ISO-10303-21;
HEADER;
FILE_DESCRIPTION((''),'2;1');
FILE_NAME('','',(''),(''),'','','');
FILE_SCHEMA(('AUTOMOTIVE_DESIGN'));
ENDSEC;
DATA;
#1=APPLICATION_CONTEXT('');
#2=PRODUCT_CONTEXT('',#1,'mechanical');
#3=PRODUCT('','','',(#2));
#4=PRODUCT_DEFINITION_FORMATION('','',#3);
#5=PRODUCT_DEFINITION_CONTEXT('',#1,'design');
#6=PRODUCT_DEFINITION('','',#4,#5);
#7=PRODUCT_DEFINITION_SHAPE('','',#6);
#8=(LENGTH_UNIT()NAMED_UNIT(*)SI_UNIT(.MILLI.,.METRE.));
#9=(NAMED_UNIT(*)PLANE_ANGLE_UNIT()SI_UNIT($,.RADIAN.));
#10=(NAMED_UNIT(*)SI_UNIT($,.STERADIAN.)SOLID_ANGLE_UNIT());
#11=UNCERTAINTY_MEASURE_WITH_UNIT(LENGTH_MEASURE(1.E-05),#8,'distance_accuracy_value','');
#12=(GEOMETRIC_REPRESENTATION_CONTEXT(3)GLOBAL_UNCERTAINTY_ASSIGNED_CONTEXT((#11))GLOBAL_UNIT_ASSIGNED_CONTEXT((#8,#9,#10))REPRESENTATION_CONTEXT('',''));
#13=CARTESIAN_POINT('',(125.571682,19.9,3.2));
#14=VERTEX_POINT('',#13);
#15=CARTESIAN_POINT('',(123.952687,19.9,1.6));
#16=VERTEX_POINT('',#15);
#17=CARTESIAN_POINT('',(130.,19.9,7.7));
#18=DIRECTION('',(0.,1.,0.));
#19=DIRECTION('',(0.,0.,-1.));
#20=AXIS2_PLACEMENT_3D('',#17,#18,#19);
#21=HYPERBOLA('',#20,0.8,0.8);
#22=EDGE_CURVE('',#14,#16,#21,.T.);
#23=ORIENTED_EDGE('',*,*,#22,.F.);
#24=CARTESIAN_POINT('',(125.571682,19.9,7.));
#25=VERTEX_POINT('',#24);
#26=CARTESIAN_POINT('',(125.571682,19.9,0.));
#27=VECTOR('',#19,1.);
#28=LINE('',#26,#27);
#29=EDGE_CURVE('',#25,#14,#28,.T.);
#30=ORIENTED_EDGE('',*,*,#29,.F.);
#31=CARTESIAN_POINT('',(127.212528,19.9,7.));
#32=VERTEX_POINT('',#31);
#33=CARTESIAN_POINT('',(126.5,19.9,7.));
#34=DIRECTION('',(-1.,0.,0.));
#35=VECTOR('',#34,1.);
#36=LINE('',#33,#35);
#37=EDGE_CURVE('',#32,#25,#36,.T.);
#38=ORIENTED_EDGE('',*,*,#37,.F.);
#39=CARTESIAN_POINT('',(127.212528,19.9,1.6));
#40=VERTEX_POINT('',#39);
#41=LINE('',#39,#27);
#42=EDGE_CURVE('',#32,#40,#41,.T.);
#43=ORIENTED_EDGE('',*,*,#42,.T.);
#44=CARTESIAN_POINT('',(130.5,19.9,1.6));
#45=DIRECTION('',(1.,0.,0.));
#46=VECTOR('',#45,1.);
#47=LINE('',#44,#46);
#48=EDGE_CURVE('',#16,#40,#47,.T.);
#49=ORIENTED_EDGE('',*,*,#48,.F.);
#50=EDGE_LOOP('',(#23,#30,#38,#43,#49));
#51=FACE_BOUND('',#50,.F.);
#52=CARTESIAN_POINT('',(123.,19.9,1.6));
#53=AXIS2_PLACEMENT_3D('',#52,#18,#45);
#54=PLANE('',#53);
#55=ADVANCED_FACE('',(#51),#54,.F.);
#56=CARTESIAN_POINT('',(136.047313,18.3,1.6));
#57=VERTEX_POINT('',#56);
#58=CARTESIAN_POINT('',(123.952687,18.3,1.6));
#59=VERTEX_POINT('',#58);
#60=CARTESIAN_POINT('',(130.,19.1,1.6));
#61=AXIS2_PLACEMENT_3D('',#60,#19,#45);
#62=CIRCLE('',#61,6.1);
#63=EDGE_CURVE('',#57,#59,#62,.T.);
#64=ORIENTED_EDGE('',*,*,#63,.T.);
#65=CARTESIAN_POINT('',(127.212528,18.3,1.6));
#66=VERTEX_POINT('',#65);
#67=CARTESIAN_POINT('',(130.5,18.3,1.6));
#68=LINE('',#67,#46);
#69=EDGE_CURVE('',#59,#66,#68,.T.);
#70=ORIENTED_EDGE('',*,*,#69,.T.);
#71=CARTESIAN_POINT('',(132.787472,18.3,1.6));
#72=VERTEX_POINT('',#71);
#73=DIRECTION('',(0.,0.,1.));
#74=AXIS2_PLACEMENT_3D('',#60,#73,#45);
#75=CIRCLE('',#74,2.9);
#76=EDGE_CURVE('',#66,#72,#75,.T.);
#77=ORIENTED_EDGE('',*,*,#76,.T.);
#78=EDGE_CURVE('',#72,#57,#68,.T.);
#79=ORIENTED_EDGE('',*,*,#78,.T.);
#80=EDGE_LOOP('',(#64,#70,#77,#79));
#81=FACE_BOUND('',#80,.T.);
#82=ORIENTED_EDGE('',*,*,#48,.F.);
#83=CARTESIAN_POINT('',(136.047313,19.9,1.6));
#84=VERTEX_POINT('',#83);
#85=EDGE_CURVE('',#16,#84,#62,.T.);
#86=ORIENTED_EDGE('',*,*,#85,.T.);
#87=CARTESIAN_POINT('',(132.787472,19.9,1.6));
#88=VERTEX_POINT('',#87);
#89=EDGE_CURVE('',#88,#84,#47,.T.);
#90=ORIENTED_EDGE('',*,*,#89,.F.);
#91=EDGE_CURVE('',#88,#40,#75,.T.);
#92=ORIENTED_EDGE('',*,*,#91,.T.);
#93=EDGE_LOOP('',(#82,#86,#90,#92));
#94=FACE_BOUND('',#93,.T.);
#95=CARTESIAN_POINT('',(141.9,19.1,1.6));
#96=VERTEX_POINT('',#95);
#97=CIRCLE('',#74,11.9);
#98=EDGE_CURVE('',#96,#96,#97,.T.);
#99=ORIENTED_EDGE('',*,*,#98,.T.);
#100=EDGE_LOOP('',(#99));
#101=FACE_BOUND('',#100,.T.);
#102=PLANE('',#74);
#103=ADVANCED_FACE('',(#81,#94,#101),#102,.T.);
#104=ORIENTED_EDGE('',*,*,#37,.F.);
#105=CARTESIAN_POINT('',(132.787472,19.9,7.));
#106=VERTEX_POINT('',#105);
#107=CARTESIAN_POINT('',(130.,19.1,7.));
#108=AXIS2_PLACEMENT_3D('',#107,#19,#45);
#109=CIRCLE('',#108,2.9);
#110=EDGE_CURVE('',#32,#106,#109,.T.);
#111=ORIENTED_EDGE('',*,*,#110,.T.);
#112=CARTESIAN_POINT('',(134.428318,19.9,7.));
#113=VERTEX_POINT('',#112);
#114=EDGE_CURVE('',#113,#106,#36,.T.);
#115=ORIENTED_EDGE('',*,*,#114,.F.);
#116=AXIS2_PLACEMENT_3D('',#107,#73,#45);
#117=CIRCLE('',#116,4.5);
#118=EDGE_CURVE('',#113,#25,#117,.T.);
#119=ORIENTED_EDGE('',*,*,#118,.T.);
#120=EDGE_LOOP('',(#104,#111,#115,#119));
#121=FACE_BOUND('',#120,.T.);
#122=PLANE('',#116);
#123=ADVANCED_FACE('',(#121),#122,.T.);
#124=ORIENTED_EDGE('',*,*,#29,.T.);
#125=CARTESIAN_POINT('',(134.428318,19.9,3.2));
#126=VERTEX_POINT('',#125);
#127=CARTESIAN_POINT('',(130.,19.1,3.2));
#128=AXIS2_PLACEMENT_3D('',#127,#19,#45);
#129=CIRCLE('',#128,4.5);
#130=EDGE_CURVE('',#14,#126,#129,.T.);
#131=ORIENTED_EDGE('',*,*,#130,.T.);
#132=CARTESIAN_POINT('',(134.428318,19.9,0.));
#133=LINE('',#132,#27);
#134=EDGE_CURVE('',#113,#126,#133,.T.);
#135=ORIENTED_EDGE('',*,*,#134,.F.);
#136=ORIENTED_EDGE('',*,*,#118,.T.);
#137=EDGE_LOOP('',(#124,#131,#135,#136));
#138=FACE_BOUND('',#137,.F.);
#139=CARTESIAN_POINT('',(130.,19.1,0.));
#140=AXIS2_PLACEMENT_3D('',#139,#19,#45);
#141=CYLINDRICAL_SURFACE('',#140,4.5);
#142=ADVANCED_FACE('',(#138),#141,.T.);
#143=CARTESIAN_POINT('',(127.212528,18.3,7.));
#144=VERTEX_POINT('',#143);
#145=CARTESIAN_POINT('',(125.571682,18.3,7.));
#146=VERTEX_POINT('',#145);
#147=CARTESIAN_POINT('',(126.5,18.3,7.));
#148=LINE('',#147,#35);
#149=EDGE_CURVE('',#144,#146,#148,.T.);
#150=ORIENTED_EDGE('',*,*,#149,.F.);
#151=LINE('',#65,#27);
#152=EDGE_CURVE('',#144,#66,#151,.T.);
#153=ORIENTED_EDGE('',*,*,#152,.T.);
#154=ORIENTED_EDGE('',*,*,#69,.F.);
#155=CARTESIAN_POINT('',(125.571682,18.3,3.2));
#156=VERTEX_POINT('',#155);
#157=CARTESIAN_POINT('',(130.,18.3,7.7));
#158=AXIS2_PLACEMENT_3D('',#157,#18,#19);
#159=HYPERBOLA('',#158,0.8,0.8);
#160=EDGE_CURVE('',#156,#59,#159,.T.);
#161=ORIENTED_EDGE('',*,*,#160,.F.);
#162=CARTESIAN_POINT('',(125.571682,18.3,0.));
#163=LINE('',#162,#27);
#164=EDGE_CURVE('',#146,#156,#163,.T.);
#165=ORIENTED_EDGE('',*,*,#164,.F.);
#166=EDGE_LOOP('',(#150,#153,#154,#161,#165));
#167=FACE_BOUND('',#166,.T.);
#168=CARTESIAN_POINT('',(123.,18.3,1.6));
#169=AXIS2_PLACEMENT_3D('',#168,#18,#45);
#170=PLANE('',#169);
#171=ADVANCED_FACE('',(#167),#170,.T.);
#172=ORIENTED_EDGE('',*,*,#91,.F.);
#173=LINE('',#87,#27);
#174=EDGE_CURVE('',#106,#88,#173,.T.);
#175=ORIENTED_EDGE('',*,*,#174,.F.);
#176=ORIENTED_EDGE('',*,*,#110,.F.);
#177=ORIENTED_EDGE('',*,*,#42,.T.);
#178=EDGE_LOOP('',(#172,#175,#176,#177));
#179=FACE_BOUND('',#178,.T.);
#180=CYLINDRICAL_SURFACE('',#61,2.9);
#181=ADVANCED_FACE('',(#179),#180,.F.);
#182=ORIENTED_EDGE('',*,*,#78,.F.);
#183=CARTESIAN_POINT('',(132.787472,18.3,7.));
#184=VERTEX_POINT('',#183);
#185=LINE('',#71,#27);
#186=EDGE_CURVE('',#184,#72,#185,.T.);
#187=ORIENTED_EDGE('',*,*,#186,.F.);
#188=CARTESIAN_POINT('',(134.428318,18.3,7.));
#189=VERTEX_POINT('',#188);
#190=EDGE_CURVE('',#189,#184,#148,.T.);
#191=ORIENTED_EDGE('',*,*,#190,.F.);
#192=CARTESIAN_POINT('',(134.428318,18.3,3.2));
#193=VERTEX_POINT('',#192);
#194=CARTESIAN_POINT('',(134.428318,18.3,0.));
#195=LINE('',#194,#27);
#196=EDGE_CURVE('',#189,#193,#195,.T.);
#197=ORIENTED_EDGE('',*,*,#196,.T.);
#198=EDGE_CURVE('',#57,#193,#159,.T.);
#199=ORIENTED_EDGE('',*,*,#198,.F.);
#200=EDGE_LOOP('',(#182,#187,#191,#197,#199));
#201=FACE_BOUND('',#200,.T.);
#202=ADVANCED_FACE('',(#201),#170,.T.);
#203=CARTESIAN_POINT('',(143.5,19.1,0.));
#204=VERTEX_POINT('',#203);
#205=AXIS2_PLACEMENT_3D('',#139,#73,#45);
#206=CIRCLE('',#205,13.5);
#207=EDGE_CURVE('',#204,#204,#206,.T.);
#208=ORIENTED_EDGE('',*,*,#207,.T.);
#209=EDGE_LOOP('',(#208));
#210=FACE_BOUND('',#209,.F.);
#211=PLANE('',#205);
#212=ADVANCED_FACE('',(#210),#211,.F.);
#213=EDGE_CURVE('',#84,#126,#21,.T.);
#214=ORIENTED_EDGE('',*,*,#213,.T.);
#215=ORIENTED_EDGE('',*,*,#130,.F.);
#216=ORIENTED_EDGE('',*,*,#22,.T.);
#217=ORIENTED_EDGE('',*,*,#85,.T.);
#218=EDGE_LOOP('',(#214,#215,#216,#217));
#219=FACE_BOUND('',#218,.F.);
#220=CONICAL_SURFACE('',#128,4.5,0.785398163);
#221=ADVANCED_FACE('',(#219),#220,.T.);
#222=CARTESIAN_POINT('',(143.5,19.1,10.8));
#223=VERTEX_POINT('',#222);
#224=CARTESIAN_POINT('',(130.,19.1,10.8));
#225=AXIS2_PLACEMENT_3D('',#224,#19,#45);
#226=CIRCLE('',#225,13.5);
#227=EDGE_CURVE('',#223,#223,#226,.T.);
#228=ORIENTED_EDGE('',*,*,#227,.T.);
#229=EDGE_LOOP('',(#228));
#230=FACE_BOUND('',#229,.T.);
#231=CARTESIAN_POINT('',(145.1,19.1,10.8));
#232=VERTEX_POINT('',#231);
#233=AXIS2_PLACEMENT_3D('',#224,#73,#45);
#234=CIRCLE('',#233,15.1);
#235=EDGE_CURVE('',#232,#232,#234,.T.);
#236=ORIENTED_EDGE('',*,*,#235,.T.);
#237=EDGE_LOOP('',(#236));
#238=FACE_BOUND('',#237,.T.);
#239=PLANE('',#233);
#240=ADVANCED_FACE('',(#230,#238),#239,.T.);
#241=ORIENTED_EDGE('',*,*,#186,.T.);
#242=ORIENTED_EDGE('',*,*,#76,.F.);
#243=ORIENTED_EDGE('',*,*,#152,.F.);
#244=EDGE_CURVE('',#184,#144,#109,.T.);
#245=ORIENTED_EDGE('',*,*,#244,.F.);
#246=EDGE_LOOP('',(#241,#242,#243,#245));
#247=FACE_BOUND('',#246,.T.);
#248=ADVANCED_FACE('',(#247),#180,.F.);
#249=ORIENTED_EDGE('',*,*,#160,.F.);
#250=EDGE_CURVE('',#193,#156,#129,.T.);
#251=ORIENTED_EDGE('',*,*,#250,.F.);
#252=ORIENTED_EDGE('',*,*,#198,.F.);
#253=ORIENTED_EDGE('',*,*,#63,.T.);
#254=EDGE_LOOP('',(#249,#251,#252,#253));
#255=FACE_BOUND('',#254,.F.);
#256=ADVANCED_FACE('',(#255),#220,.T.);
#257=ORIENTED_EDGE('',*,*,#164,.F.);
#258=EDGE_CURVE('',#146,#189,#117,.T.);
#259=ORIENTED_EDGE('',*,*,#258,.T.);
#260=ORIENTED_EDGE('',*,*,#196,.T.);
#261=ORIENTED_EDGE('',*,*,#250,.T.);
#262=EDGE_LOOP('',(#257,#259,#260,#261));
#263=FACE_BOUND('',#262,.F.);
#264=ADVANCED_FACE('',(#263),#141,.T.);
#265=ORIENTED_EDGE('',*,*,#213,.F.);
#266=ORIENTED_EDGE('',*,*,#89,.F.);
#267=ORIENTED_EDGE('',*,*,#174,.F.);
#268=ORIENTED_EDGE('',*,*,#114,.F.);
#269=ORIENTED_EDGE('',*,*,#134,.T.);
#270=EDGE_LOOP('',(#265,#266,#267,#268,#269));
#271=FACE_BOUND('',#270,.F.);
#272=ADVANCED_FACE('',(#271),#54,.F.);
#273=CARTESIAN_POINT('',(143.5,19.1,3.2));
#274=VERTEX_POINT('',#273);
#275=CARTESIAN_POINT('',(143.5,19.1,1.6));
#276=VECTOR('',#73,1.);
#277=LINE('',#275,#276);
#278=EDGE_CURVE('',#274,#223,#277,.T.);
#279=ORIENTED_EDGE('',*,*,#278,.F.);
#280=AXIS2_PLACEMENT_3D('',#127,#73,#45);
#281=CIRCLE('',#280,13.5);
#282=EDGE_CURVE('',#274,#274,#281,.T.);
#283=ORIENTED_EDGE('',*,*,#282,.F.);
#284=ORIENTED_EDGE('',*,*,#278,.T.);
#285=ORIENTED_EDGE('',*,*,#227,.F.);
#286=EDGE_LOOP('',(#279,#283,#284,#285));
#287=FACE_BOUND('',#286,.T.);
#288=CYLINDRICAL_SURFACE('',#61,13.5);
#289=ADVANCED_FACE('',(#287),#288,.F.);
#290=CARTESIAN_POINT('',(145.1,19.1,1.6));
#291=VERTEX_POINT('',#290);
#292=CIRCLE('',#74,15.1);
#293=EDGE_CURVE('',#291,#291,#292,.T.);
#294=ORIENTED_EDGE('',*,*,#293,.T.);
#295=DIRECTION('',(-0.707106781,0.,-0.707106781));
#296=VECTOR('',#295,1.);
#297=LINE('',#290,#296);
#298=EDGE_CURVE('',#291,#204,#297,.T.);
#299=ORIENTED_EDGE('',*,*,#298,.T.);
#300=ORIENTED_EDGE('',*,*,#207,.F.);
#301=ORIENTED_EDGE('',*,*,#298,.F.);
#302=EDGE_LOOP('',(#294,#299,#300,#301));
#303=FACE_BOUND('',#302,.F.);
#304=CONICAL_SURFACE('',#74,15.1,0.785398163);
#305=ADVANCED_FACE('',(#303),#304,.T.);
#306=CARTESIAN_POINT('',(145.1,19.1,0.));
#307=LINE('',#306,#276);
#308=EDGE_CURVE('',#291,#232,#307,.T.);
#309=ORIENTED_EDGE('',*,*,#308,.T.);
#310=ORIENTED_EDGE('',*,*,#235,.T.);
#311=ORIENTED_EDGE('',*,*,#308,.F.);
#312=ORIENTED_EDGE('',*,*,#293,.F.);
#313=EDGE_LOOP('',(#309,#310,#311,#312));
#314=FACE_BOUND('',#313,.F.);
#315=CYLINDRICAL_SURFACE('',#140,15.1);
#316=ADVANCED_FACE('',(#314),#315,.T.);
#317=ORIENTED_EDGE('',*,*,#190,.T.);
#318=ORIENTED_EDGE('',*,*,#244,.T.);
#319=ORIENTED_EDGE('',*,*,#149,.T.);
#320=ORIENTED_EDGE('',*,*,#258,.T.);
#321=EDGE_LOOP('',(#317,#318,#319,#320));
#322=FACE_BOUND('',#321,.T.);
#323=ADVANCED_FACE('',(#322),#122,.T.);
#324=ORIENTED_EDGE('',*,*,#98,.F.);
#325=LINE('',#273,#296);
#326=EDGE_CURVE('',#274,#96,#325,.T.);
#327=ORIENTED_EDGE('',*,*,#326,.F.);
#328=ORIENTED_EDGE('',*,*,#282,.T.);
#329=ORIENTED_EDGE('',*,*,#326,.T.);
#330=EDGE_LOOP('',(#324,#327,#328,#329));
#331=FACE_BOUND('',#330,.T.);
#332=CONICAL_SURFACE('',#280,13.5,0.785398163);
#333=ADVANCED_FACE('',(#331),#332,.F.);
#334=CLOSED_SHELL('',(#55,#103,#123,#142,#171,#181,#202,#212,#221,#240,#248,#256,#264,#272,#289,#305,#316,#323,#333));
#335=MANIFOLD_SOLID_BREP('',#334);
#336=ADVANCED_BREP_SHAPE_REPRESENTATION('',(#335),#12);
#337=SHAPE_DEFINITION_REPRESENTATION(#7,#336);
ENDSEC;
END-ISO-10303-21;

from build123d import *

# Parameters (mm, degrees)
BOX009_W          = 15
BOX009_H          = 1.6
BOX009_DEPTH      = 10.5
CYLINDER019_R     = 2.9
CYLINDER019_DEPTH = 10.5
CYLINDER018_R     = 4.5
CYLINDER018_DEPTH = 7
CYLINDER017_R     = 13.5
CYLINDER017_DEPTH = 10.8
CYLINDER016_R     = 15.1
CYLINDER016_DEPTH = 10.8
CHAMFER006_SIZE   = 1.6
CHAMFER007_SIZE   = 1.6
CHAMFER008_SIZE   = 1.6


with BuildPart() as w_rfel009:
    # Box009 → Box009 (new body)
    with BuildSketch(Plane(origin=(123, 18.3, 1.6), x_dir=(1, 0, 0), z_dir=(0, 0, 1))):
        with Locations((7.5, 0.8)):
            Rectangle(BOX009_W, BOX009_H)
    extrude(amount=BOX009_DEPTH)


with BuildPart() as zylinder019:
    # Cylinder019 → Cylinder019 (new body)
    with BuildSketch(Plane(origin=(130, 19.1, 1.6), x_dir=(1, 0, 0), z_dir=(0, 0, 1))):
        Circle(CYLINDER019_R)
    extrude(amount=CYLINDER019_DEPTH)


with BuildPart() as cut009:
    # Cylinder018 → Cylinder018 (new body)
    with BuildSketch(Plane(origin=(130, 19.1, 0), x_dir=(1, 0, 0), z_dir=(0, 0, 1))):
        Circle(CYLINDER018_R)
    extrude(amount=CYLINDER018_DEPTH)

    # Cut009: cut Zylinder019
    add(zylinder019.part, mode=Mode.SUBTRACT)


with BuildPart() as zylinder017:
    # Cylinder017 → Cylinder017 (new body)
    with BuildSketch(Plane(origin=(130, 19.1, 1.6), x_dir=(1, 0, 0), z_dir=(0, 0, 1))):
        Circle(CYLINDER017_R)
    extrude(amount=CYLINDER017_DEPTH)


with BuildPart() as knob:
    # Cylinder016 → Cylinder016 (new body)
    with BuildSketch(Plane(origin=(130, 19.1, 0), x_dir=(1, 0, 0), z_dir=(0, 0, 1))):
        Circle(CYLINDER016_R)
    extrude(amount=CYLINDER016_DEPTH)

    # Cut008: cut Zylinder017
    add(zylinder017.part, mode=Mode.SUBTRACT)

    # Chamfer006
    chamfer006_edges = [knob.edges().sort_by_distance(p)[0] for p in [
        (116.5, 19.1, 1.6),
    ]]
    chamfer(chamfer006_edges, length=CHAMFER006_SIZE)

    # Chamfer007
    chamfer007_edges = [knob.edges().sort_by_distance(p)[0] for p in [
        (114.9, 19.1, 0),
    ]]
    chamfer(chamfer007_edges, length=CHAMFER007_SIZE)

    # Fusion011: union Cut009
    add(cut009.part)

    # Chamfer008
    chamfer008_edges = [knob.edges().sort_by_distance(p)[0] for p in [
        (125.5, 19.1, 1.6),
    ]]
    chamfer(chamfer008_edges, length=CHAMFER008_SIZE)

    # Cut010: cut Würfel009
    add(w_rfel009.part, mode=Mode.SUBTRACT)


solid = knob.part
